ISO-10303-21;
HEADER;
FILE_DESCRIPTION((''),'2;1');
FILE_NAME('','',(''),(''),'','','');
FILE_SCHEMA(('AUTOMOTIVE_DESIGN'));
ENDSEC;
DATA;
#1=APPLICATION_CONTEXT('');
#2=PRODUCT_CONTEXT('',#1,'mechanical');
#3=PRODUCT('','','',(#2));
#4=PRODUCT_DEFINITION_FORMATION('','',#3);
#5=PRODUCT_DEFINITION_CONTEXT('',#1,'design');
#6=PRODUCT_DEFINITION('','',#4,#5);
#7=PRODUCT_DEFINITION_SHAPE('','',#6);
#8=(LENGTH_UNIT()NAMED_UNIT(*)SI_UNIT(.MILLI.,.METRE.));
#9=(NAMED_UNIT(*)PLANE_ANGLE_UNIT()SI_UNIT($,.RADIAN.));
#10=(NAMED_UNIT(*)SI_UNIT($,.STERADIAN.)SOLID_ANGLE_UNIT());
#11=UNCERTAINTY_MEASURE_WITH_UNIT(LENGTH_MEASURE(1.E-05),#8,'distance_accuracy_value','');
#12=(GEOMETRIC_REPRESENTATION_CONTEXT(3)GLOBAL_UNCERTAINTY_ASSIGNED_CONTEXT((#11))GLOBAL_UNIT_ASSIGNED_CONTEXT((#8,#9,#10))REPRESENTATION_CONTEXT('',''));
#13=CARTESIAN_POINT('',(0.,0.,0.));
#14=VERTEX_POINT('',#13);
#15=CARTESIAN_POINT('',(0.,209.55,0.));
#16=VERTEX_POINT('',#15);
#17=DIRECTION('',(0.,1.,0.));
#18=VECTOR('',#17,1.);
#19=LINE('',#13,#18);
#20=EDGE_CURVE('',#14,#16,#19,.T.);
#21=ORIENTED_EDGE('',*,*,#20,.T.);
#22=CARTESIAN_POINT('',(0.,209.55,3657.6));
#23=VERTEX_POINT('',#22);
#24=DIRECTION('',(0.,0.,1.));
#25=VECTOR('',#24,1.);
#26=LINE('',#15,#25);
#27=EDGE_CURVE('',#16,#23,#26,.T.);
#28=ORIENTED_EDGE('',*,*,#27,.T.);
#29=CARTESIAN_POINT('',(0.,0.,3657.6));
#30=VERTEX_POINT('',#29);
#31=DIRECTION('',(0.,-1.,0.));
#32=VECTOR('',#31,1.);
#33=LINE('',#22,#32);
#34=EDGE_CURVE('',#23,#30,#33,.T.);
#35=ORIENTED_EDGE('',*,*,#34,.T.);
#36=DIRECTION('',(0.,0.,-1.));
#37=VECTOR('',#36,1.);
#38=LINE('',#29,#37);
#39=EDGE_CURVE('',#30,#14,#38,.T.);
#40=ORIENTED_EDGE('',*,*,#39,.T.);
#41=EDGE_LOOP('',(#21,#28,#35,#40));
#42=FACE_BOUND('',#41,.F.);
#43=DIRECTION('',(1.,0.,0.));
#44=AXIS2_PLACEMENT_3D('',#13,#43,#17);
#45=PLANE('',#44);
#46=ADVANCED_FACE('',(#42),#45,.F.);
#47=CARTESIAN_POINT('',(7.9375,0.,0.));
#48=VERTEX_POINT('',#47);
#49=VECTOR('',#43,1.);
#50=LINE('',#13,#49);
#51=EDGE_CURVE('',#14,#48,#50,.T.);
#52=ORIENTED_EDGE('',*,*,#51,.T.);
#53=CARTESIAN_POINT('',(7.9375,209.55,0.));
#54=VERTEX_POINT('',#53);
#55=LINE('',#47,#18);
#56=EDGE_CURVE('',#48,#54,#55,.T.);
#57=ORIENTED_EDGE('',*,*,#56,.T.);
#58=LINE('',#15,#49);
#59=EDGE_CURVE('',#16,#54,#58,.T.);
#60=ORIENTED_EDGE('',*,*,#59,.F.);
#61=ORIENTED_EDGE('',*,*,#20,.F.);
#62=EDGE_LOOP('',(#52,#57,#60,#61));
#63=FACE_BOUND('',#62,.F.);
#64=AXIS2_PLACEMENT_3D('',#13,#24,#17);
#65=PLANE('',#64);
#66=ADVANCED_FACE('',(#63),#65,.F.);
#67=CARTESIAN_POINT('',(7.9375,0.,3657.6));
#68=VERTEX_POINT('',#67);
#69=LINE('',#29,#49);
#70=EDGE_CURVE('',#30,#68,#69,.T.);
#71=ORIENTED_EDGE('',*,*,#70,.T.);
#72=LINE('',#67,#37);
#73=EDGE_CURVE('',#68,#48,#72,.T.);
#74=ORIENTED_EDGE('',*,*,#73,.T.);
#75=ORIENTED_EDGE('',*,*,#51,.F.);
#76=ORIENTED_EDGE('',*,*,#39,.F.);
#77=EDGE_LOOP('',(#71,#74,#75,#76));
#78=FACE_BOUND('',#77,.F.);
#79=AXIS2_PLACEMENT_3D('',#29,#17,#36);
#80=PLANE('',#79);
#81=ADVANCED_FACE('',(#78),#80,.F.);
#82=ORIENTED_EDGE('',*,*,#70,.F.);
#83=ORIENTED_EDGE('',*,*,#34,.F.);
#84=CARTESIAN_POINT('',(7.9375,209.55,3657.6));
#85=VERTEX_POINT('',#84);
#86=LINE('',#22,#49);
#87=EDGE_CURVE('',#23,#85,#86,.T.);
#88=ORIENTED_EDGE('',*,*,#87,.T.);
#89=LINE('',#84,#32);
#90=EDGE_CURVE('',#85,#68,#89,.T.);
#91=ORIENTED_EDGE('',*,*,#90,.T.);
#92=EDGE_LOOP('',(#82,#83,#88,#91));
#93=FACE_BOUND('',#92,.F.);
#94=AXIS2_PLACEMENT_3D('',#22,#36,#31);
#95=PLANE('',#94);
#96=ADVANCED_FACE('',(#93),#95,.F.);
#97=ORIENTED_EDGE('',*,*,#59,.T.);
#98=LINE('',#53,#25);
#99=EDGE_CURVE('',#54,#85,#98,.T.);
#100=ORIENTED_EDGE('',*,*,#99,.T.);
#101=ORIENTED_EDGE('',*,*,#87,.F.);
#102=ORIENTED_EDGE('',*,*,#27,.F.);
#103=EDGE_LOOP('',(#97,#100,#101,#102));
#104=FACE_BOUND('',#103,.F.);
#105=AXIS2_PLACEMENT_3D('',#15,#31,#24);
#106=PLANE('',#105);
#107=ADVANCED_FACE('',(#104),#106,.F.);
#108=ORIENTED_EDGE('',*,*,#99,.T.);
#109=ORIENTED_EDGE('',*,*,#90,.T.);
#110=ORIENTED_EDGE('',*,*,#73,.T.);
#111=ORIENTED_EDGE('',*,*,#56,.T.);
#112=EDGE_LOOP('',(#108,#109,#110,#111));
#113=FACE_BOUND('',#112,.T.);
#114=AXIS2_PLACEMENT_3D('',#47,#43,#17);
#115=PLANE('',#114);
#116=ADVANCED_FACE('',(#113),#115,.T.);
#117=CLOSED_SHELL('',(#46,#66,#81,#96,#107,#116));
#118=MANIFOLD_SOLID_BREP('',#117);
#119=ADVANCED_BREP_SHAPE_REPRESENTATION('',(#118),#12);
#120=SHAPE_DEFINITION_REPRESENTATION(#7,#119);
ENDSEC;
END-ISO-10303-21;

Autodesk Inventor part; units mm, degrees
ref_plane "YZ Plane" through (0, 0, 0) normal (1, 0, 0) x (0, 1, 0)
ref_plane "XZ Plane" through (0, 0, 0) normal (0, 1, 0) x (-1, 0, 0)
ref_plane "XY Plane" through (0, 0, 0) normal (0, 0, 1) x (1, 0, 0)
sketch "Sketch1" plane through (0, 0, 0) normal (1, 0, 0) x (0, 1, 0)
  line L0 (0, 0) -> (209.55, 0)
  line L1 (209.55, 0) -> (209.55, 3657.6)
  line L2 (209.55, 3657.6) -> (0, 3657.6)
  line L3 (0, 3657.6) -> (0, 0)
  dimension "d0" = 3657.6
  dimension "d1" = 209.55
extrude "Extrusion1" add sketch "Sketch1" along normal blind 7.9375
properties part number "Fiber_Cement_Board"
